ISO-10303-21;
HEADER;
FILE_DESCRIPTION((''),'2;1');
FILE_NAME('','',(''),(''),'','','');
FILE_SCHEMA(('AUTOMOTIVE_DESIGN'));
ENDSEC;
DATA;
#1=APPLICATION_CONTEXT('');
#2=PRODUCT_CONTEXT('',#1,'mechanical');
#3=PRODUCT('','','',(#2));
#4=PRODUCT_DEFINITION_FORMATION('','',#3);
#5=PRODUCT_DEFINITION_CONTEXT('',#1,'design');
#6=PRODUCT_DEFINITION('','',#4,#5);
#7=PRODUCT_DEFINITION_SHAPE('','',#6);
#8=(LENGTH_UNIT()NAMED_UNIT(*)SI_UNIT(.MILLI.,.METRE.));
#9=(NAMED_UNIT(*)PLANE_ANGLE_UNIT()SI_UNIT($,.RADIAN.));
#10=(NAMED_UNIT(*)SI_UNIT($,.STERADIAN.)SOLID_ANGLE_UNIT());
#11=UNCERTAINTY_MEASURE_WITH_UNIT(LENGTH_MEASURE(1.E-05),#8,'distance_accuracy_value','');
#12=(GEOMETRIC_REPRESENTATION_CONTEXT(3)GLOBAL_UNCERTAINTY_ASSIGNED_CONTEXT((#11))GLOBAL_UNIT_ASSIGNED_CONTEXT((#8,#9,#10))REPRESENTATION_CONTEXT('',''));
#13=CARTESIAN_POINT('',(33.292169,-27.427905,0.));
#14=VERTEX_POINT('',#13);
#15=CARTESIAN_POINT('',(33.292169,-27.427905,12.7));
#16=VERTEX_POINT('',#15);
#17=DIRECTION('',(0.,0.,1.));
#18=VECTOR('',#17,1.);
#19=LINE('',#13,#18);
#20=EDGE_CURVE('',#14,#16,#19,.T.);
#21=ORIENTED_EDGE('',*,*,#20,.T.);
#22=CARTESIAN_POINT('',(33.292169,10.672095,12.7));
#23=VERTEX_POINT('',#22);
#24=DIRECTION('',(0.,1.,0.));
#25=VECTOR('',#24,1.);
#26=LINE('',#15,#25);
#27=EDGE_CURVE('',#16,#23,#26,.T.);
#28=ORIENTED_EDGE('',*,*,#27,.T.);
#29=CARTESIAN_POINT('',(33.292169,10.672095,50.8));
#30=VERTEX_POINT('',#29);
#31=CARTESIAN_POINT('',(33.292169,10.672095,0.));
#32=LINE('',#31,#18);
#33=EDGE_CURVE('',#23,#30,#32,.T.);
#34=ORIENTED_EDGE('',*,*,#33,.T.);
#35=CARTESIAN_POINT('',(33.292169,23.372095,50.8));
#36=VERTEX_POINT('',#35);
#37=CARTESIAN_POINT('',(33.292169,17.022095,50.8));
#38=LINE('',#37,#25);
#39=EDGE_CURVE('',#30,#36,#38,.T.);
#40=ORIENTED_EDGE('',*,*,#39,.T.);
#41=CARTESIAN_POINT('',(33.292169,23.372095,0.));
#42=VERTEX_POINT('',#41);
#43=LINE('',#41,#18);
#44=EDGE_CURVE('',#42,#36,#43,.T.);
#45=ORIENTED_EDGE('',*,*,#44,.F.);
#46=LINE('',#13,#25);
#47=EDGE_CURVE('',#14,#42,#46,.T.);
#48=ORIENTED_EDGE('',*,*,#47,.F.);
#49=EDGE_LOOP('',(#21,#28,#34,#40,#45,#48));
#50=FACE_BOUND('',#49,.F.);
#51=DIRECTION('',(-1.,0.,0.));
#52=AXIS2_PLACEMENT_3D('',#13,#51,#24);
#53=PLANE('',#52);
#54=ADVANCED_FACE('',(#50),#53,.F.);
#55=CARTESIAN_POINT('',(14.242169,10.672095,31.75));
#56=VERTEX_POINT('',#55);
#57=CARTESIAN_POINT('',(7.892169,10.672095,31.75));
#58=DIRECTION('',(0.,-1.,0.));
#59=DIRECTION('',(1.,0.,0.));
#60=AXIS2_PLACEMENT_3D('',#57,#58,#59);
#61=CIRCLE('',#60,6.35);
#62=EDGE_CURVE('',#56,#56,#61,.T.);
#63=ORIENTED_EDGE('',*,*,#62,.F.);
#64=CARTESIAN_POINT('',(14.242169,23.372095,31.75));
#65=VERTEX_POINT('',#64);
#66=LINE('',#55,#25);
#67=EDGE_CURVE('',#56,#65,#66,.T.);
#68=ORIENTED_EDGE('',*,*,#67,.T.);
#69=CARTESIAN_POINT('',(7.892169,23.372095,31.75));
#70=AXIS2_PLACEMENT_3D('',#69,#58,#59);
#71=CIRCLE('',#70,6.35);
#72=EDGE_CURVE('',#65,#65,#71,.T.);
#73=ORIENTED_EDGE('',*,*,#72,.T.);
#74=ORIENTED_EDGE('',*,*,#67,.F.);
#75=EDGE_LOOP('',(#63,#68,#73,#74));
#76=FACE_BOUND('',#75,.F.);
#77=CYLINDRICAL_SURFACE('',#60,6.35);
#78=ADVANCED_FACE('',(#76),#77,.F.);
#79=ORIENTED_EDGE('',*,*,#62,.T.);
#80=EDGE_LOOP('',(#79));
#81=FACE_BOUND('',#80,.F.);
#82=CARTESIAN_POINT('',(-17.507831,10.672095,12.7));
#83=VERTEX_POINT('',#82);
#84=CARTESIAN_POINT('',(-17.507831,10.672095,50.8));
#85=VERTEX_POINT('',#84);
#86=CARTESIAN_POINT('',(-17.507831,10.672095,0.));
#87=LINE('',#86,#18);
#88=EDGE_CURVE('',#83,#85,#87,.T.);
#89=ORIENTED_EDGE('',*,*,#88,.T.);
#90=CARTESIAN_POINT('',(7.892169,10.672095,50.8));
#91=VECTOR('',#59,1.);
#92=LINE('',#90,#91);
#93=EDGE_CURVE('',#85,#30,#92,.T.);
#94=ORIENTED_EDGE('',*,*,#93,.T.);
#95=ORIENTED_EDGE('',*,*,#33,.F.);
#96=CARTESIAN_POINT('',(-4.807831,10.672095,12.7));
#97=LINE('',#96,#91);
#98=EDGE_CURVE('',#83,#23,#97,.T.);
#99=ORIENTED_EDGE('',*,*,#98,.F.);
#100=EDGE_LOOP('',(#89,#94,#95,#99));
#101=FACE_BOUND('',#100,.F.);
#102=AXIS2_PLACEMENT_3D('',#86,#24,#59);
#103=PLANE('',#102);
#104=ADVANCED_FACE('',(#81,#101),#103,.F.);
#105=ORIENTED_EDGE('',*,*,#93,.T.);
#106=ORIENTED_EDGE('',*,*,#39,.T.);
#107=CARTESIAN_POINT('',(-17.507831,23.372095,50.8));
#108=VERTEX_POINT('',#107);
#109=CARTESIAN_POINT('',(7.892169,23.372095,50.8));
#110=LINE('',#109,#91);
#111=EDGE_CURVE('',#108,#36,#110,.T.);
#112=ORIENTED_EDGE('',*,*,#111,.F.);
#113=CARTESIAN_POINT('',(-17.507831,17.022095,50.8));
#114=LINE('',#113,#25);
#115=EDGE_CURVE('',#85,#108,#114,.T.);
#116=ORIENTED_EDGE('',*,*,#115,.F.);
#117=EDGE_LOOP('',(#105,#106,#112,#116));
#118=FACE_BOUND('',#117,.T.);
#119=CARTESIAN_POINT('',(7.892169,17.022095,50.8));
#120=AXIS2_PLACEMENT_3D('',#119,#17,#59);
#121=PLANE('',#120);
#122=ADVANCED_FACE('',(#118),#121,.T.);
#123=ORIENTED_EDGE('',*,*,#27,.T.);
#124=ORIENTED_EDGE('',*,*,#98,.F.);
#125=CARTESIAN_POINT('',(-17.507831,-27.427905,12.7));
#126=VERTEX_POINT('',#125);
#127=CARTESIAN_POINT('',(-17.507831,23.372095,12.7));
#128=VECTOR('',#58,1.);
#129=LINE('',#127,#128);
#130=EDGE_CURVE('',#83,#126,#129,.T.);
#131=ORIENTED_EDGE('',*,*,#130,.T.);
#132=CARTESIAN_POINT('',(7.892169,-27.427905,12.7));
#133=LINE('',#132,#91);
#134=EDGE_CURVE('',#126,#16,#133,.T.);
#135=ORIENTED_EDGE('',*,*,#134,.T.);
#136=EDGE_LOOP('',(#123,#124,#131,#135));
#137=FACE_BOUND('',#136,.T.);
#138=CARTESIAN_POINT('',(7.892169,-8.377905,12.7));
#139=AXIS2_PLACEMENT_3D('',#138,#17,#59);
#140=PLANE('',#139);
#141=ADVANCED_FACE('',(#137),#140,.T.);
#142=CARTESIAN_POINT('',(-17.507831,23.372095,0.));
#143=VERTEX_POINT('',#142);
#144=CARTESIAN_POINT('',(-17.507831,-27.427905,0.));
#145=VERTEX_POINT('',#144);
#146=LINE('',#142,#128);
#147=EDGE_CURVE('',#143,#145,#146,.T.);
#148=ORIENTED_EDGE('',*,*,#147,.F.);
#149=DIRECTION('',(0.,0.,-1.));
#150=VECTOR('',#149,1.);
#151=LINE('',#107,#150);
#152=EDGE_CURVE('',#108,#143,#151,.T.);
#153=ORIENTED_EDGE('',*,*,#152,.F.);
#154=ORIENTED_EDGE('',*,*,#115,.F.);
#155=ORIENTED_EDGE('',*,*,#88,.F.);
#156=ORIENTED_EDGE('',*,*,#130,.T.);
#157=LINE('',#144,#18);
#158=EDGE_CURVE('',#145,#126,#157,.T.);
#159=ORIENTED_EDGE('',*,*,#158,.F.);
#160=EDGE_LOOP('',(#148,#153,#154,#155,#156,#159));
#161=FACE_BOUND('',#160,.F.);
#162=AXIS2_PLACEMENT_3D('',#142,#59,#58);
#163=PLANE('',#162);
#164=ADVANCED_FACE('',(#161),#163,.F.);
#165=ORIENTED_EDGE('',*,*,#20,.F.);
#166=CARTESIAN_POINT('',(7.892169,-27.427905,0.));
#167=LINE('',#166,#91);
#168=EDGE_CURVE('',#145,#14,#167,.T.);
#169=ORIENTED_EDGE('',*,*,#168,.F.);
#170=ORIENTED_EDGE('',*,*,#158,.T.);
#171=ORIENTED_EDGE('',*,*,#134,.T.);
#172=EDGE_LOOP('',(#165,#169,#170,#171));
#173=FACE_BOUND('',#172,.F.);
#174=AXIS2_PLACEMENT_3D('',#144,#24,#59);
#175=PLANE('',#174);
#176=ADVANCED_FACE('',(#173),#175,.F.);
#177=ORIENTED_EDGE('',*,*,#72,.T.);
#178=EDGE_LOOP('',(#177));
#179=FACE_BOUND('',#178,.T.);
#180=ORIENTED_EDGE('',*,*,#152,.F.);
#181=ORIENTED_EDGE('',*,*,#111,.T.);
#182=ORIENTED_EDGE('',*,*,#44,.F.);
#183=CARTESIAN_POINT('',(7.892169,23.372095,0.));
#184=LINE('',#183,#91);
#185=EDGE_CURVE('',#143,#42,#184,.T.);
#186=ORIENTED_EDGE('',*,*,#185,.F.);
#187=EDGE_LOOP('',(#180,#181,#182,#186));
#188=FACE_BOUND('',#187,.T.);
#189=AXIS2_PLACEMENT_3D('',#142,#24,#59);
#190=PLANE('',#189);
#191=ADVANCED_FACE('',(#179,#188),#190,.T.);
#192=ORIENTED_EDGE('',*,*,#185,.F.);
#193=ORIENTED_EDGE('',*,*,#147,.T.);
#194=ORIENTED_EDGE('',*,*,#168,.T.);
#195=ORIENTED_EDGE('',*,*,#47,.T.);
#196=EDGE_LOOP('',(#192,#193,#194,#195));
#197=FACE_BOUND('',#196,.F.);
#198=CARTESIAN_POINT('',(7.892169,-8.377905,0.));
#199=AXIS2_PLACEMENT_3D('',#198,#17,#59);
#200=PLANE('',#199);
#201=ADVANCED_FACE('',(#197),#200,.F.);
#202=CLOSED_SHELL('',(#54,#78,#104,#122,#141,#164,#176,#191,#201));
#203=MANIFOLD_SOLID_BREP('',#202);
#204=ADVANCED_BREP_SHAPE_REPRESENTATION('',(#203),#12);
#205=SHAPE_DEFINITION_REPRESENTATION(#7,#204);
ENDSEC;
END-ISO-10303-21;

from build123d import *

# Parameters (mm, degrees)
F0_W     = 50.8
F0_H     = 12.7
F1_DEPTH = 50.8
F0_H_2   = 38.1
F2_DEPTH = 12.7
F3_R     = 6.35
F4_DEPTH = 25.4


with BuildPart() as f1:
    # F0 (on Top) → F1 (new body)
    with BuildSketch(Plane.XY):
        with Locations((7.892169, 17.022095)):
            Rectangle(F0_W, F0_H)
    extrude(amount=F1_DEPTH)

    # F0 (on Top) → F2 (join)
    with BuildSketch(Plane.XY):
        with Locations((7.892169, -8.377905)):
            Rectangle(F0_W, F0_H_2)
        with Locations((7.892169, 17.022095)):
            Rectangle(F0_W, F0_H)
    extrude(amount=F2_DEPTH)

    # F3 (on face) → F4 (cut)
    with BuildSketch(Plane.XZ.offset(-10.672095)):
        with Locations((7.892169, 31.75)):
            Circle(F3_R)
    extrude(amount=-F4_DEPTH, mode=Mode.SUBTRACT)


solid = f1.part
